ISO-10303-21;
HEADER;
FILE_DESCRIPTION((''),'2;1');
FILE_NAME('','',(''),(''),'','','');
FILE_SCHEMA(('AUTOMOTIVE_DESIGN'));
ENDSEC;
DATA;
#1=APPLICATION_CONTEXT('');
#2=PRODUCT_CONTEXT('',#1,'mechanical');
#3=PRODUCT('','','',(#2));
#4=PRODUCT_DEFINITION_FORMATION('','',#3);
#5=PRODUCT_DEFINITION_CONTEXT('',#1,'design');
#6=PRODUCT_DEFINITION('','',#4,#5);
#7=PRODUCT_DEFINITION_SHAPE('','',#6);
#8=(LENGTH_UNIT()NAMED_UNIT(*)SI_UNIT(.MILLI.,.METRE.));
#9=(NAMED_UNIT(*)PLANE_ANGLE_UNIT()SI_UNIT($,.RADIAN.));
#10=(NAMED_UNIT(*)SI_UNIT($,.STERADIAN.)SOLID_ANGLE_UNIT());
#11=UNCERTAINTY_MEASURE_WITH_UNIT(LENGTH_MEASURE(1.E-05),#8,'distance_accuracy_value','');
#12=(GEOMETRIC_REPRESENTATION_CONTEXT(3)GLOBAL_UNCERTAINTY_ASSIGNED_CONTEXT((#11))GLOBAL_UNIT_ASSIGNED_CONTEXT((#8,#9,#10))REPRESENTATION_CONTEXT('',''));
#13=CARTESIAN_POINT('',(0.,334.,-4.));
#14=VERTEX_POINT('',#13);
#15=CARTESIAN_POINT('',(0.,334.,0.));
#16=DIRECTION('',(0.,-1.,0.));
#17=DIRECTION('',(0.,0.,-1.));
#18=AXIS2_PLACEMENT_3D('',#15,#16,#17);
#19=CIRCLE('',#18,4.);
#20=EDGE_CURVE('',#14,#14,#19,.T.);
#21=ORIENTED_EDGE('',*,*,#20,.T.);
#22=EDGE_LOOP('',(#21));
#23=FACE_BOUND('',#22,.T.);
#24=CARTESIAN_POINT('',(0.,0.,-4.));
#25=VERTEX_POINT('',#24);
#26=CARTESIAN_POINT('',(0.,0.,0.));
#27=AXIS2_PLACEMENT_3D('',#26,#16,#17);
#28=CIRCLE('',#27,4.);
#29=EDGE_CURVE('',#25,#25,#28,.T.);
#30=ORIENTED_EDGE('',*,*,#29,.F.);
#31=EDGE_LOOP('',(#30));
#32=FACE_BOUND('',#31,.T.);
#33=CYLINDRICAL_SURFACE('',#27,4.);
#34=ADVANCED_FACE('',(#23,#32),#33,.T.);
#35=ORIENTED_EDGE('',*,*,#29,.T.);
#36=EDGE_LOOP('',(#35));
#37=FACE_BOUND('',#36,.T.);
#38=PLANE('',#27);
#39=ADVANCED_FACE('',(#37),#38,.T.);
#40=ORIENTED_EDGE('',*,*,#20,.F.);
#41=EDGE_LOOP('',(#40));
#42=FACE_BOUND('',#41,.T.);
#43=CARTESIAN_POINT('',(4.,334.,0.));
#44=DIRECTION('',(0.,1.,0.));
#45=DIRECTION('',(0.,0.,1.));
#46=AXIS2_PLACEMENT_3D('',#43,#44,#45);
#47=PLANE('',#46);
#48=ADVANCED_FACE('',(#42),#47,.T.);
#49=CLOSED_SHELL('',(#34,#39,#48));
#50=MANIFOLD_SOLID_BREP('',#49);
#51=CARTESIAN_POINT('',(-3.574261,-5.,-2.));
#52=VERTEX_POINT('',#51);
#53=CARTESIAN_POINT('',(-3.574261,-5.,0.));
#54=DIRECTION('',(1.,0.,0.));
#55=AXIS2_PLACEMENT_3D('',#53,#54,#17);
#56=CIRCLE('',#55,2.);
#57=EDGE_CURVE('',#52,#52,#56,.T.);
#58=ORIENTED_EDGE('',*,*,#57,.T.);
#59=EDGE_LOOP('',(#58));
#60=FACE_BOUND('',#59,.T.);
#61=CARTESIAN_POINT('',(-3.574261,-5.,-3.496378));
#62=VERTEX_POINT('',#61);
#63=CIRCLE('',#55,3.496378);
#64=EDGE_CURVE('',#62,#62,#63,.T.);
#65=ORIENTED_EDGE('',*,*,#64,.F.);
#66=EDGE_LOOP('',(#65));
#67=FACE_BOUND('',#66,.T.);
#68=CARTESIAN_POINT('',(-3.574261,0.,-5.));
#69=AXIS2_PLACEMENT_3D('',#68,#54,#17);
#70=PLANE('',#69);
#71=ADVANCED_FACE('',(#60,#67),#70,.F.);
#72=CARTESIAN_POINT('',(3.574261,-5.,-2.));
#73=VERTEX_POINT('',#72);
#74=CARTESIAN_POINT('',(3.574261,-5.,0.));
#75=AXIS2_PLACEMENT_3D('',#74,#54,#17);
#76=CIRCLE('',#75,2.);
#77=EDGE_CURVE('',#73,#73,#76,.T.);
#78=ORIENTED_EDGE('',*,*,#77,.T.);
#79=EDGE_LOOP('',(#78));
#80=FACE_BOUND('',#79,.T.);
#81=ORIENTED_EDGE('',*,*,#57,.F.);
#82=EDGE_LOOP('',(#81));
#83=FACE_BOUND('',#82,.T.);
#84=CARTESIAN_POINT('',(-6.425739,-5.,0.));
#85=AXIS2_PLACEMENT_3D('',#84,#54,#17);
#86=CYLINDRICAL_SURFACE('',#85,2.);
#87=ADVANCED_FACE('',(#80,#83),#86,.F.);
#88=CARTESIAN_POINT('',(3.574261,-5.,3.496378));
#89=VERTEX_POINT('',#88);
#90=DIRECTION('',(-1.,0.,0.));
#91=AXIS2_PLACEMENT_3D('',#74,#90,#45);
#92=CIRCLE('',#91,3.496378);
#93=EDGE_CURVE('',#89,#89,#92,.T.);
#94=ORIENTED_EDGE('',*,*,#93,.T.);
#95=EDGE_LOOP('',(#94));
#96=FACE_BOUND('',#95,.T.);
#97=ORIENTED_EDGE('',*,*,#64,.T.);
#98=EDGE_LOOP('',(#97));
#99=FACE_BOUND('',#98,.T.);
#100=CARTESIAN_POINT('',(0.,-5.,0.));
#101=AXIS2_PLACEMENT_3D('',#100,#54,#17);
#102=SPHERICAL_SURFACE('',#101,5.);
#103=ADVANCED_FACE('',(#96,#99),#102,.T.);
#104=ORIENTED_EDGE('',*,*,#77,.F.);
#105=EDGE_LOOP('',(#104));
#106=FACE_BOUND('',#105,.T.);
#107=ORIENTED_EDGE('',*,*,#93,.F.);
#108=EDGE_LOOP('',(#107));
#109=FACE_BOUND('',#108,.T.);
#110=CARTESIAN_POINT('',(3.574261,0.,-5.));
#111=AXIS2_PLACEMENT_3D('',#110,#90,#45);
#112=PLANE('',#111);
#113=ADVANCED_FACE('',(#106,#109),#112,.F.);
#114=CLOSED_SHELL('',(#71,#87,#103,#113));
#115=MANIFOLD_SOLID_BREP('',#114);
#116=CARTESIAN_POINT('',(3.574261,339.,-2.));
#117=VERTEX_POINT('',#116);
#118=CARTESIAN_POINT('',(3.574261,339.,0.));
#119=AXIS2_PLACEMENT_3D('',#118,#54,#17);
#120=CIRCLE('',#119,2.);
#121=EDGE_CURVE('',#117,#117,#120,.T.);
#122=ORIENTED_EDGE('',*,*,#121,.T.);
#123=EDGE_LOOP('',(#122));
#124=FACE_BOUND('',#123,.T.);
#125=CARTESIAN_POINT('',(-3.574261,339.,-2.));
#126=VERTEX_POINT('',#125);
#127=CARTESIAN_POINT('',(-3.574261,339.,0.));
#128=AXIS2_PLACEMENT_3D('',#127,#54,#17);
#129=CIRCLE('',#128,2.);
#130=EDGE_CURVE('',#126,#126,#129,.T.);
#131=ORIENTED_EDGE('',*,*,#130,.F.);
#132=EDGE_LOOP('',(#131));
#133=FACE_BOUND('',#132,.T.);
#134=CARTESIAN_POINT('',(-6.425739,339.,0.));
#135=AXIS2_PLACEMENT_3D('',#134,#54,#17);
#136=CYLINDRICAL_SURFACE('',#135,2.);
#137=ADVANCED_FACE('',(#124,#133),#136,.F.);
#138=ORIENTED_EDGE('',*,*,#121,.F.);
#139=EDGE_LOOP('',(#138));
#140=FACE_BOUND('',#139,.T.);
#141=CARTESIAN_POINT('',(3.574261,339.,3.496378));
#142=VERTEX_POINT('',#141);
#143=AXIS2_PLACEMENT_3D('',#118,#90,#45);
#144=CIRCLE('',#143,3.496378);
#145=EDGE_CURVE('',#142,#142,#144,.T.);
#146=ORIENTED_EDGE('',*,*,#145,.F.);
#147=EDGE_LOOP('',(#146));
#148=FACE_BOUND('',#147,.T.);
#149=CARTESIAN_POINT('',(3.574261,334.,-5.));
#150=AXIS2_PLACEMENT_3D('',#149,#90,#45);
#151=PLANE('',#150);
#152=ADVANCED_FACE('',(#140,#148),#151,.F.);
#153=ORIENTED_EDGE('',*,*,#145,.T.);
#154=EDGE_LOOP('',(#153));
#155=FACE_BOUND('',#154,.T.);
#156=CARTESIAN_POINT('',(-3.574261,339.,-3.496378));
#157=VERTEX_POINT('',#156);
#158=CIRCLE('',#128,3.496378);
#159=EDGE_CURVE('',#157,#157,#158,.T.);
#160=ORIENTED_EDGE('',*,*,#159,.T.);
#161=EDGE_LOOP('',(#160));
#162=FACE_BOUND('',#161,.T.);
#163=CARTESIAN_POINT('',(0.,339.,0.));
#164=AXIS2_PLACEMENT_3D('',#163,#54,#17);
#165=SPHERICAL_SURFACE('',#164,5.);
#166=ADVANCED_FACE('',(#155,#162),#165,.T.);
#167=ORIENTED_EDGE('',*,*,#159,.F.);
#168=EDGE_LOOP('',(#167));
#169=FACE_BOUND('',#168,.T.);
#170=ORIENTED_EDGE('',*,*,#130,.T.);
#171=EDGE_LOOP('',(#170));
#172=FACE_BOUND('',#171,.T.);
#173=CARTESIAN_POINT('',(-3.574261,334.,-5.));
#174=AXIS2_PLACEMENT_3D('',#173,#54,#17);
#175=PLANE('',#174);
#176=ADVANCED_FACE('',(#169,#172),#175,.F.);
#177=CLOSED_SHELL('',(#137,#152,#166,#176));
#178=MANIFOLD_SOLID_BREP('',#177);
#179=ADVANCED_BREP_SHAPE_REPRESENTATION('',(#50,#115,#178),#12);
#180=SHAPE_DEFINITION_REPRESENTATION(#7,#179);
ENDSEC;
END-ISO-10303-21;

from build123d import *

# Parameters (mm, degrees)
SKETCH_1_W          = 4
SKETCH_1_H          = 334
SKETCH_3_W          = 5.137829835
SKETCH_3_H          = 13.006561537
CUT_EXTRUDE_1_DEPTH = 5
SKETCH_3_3_W        = 5.137829835
SKETCH_3_3_H        = 13.006561537
CUT_EXTRUDE_3_DEPTH = 5
SKETCH_4_R          = 2
CUT_EXTRUDE_4_DEPTH = 10


with BuildPart() as part:
    # 草圖1 → 旋轉1 (revolve)
    with BuildSketch(Plane.XY, mode=Mode.PRIVATE) as revolve_1_sk:
        with Locations((2, 167)):
            Rectangle(SKETCH_1_W, SKETCH_1_H)
    revolve(revolve_1_sk.sketch.rotate(Axis((0, 0, 0), (0, 1, 0)), 90), axis=Axis((0, 0, 0), (0, 1, 0)))


with BuildPart() as body_2:
    # 草圖2 → 旋轉2 (revolve)
    with BuildSketch(Plane.XY):
        with BuildLine():
            Line((0, 0), (0, -10))
            ThreePointArc((0, -10), (5, -5), (0, 0))
        make_face()
        with BuildLine():
            Line((0, 334), (0, 344))
            ThreePointArc((0, 344), (5, 339), (0, 334))
        make_face()
    revolve(axis=Axis((0, 347.589463941, 0), (0, -1, 0)))

    # 草圖3 → 除料-伸長1 (cut, symmetric)
    with BuildSketch(Plane.XY):
        with Locations((-6.143176149, 340.503280769)):
            Rectangle(SKETCH_3_W, SKETCH_3_H)
        with Locations((6.143176149, 340.503280769)):
            Rectangle(SKETCH_3_W, SKETCH_3_H)
    extrude(amount=CUT_EXTRUDE_1_DEPTH, both=True, mode=Mode.SUBTRACT)

    # 草圖3<3> → 除料-伸長3 (cut, symmetric)
    with BuildSketch(Plane.XY):
        with Locations((-6.143176149, 340.503280769)):
            Rectangle(SKETCH_3_3_W, SKETCH_3_3_H)
        with Locations((6.143176149, 340.503280769)):
            Rectangle(SKETCH_3_3_W, SKETCH_3_3_H)
        with Locations((-6.143176149, -6.503280769)):
            Rectangle(SKETCH_3_3_W, SKETCH_3_3_H)
        with Locations((6.143176149, -6.503280769)):
            Rectangle(SKETCH_3_3_W, SKETCH_3_3_H)
    extrude(amount=CUT_EXTRUDE_3_DEPTH, both=True, mode=Mode.SUBTRACT)

    # 草圖4 → 除料-伸長4 (cut)
    with BuildSketch(Plane(origin=(3.574261231, 0, 0), x_dir=(0, 0, -1), z_dir=(1, 0, 0))):
        with Locations((0, 339)):
            Circle(SKETCH_4_R)
        with Locations((0, -5)):
            Circle(SKETCH_4_R)
    extrude(amount=-CUT_EXTRUDE_4_DEPTH, mode=Mode.SUBTRACT)


solid = Compound([part.part, body_2.part])
